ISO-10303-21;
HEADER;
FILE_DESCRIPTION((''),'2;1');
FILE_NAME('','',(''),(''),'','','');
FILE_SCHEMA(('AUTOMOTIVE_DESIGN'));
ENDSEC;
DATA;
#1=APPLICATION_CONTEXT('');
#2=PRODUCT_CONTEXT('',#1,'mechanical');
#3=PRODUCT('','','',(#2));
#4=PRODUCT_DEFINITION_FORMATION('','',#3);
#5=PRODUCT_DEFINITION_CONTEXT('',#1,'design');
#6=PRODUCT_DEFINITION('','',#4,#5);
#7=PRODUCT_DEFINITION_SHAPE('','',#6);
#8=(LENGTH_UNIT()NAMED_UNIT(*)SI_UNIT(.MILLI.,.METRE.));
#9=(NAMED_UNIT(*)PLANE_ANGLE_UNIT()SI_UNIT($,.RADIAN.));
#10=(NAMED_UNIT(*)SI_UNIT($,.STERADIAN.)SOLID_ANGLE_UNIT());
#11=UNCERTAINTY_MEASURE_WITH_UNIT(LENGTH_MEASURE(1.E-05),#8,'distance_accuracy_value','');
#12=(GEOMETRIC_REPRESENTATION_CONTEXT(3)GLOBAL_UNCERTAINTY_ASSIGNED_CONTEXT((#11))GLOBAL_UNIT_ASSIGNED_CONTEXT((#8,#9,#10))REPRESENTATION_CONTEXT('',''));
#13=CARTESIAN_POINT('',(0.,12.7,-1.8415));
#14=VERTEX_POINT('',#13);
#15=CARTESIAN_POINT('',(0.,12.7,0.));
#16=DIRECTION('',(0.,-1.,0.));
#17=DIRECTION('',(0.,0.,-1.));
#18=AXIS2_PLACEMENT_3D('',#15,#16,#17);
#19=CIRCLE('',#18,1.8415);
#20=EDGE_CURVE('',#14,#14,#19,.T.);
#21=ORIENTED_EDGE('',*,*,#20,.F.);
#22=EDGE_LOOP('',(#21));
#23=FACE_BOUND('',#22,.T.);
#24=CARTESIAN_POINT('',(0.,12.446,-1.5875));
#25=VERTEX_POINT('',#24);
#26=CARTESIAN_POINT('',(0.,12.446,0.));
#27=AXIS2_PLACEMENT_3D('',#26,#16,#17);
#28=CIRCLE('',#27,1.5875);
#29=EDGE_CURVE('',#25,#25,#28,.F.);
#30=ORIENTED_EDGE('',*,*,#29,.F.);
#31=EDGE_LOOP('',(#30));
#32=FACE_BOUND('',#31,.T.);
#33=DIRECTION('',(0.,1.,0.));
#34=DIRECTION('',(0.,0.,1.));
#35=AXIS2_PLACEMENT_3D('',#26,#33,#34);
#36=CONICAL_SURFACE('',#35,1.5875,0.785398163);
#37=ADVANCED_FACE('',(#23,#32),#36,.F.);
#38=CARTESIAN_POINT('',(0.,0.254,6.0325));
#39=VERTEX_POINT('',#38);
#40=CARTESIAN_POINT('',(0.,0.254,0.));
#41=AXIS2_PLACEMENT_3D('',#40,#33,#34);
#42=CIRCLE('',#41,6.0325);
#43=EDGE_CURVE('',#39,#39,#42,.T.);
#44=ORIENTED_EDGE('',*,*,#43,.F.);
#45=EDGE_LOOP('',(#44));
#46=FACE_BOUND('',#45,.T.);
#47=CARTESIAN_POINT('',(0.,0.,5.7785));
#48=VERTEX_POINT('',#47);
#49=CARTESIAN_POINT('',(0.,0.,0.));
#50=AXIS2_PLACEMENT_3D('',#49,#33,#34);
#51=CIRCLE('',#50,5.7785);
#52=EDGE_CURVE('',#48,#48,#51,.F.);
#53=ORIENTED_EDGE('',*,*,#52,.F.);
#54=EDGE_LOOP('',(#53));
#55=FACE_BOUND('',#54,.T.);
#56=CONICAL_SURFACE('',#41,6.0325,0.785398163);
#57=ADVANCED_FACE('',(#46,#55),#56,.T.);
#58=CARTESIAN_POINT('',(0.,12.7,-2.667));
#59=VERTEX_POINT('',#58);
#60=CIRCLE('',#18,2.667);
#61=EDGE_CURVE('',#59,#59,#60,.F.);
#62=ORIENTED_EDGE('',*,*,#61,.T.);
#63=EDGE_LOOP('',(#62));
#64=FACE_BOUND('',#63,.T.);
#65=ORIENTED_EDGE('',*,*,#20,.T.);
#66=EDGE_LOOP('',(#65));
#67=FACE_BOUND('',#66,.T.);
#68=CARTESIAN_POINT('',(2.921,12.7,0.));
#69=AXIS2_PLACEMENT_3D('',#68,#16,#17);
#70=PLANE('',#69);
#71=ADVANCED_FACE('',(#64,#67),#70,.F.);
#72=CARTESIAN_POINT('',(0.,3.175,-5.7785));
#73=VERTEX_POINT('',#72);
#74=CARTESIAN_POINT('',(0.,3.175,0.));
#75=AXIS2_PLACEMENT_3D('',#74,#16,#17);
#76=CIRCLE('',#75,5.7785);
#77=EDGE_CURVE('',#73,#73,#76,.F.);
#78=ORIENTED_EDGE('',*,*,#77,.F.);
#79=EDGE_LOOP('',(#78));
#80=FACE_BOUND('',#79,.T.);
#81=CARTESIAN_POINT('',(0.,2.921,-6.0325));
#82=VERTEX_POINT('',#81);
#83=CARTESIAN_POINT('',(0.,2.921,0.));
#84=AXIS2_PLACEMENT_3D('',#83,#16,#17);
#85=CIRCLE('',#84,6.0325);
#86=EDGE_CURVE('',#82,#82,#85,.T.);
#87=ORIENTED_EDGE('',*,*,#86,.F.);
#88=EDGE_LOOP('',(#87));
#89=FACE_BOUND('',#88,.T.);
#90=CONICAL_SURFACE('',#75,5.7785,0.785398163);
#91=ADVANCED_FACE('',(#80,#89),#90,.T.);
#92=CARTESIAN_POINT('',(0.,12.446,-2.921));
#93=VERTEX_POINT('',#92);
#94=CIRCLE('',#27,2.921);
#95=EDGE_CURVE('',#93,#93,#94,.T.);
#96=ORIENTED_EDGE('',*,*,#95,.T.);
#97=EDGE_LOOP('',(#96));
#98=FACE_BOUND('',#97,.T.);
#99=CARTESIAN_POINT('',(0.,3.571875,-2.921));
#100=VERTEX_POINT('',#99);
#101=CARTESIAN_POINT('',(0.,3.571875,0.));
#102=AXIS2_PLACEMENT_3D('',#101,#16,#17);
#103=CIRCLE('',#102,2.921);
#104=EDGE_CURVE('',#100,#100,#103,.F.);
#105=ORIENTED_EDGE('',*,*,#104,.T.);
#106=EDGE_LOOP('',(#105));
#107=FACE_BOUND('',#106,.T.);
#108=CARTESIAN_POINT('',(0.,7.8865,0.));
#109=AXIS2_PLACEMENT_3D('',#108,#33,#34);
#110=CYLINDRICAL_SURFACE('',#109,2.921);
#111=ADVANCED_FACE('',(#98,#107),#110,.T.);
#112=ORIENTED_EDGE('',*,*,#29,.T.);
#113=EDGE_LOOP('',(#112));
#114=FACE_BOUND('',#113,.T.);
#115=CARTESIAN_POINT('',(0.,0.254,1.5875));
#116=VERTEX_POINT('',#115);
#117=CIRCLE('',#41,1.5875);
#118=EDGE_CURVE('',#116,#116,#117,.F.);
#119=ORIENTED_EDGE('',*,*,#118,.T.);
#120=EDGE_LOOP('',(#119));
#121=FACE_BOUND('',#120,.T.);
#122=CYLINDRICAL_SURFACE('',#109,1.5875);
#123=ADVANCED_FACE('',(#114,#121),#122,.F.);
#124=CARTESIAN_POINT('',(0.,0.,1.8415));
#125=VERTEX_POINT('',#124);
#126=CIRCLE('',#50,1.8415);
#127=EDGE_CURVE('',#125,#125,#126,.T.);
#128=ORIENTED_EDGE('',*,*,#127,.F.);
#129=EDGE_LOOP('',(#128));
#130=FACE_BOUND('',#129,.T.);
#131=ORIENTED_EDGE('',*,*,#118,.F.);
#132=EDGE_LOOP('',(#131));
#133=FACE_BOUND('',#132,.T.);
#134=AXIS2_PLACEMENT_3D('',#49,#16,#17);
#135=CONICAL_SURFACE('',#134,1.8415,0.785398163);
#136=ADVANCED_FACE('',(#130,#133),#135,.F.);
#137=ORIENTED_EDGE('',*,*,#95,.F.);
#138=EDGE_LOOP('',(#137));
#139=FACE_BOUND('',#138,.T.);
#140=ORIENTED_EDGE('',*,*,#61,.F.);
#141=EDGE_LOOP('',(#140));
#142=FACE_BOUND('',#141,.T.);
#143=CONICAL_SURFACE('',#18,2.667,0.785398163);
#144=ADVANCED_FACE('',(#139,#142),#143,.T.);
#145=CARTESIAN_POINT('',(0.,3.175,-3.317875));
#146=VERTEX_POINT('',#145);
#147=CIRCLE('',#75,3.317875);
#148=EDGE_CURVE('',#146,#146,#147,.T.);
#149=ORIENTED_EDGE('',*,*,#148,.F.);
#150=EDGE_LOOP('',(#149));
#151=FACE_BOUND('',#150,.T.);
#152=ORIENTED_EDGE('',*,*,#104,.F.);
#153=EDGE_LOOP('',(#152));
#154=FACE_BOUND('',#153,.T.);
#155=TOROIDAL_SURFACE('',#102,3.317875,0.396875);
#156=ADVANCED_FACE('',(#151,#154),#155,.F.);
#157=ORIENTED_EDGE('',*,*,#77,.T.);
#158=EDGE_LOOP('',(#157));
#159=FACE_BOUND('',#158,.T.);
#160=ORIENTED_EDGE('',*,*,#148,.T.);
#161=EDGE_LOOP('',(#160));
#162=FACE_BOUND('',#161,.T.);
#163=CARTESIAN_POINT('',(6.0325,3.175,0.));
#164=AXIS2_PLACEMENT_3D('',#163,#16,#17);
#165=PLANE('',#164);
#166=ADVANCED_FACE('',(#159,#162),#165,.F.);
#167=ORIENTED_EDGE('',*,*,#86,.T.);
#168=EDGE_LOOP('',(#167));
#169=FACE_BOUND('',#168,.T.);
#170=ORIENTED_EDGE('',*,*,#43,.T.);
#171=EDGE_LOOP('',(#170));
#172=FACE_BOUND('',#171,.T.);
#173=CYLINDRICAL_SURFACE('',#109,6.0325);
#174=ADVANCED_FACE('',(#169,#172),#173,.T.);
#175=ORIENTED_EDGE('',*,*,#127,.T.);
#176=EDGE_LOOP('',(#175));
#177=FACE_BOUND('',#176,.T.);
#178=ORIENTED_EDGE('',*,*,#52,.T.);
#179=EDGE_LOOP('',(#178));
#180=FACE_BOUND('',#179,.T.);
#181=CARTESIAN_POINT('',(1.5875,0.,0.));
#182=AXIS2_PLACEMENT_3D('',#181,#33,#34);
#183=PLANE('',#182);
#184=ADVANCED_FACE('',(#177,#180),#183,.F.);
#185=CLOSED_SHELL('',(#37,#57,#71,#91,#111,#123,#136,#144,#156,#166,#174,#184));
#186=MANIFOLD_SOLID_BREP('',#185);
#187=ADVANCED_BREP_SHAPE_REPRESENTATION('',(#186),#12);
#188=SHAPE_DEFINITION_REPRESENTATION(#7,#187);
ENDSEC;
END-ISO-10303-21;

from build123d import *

# Parameters (mm, degrees)
FILLET1_R     = 0.396875
CHAMFER1_SIZE = 0.254


with BuildPart() as part:
    # Sketch1 → Revolve1 (revolve)
    with BuildSketch(Plane.XY):
        Polygon((1.5875, 0), (6.0325, 0), (6.0325, 3.175), (2.921, 3.175), (2.921, 12.7), (1.5875, 12.7), align=None)
    revolve(axis=Axis((0, 7.886499903, 0), (0, -1, 0)))

    # Fillet1
    fillet1_edges = [part.edges().sort_by_distance(p)[0] for p in [
        (-2.921, 3.175, 0),
    ]]
    fillet(fillet1_edges, radius=FILLET1_R)

    # Chamfer1
    chamfer1_edges = [part.edges().sort_by_distance(p)[0] for p in [
        (-1.5875, 12.7, 0),
        (-2.921, 12.7, 0),
        (-6.0325, 3.175, 0),
        (-6.0325, 0, 0),
        (-1.5875, 0, 0),
    ]]
    chamfer(chamfer1_edges, length=CHAMFER1_SIZE)


solid = part.part
